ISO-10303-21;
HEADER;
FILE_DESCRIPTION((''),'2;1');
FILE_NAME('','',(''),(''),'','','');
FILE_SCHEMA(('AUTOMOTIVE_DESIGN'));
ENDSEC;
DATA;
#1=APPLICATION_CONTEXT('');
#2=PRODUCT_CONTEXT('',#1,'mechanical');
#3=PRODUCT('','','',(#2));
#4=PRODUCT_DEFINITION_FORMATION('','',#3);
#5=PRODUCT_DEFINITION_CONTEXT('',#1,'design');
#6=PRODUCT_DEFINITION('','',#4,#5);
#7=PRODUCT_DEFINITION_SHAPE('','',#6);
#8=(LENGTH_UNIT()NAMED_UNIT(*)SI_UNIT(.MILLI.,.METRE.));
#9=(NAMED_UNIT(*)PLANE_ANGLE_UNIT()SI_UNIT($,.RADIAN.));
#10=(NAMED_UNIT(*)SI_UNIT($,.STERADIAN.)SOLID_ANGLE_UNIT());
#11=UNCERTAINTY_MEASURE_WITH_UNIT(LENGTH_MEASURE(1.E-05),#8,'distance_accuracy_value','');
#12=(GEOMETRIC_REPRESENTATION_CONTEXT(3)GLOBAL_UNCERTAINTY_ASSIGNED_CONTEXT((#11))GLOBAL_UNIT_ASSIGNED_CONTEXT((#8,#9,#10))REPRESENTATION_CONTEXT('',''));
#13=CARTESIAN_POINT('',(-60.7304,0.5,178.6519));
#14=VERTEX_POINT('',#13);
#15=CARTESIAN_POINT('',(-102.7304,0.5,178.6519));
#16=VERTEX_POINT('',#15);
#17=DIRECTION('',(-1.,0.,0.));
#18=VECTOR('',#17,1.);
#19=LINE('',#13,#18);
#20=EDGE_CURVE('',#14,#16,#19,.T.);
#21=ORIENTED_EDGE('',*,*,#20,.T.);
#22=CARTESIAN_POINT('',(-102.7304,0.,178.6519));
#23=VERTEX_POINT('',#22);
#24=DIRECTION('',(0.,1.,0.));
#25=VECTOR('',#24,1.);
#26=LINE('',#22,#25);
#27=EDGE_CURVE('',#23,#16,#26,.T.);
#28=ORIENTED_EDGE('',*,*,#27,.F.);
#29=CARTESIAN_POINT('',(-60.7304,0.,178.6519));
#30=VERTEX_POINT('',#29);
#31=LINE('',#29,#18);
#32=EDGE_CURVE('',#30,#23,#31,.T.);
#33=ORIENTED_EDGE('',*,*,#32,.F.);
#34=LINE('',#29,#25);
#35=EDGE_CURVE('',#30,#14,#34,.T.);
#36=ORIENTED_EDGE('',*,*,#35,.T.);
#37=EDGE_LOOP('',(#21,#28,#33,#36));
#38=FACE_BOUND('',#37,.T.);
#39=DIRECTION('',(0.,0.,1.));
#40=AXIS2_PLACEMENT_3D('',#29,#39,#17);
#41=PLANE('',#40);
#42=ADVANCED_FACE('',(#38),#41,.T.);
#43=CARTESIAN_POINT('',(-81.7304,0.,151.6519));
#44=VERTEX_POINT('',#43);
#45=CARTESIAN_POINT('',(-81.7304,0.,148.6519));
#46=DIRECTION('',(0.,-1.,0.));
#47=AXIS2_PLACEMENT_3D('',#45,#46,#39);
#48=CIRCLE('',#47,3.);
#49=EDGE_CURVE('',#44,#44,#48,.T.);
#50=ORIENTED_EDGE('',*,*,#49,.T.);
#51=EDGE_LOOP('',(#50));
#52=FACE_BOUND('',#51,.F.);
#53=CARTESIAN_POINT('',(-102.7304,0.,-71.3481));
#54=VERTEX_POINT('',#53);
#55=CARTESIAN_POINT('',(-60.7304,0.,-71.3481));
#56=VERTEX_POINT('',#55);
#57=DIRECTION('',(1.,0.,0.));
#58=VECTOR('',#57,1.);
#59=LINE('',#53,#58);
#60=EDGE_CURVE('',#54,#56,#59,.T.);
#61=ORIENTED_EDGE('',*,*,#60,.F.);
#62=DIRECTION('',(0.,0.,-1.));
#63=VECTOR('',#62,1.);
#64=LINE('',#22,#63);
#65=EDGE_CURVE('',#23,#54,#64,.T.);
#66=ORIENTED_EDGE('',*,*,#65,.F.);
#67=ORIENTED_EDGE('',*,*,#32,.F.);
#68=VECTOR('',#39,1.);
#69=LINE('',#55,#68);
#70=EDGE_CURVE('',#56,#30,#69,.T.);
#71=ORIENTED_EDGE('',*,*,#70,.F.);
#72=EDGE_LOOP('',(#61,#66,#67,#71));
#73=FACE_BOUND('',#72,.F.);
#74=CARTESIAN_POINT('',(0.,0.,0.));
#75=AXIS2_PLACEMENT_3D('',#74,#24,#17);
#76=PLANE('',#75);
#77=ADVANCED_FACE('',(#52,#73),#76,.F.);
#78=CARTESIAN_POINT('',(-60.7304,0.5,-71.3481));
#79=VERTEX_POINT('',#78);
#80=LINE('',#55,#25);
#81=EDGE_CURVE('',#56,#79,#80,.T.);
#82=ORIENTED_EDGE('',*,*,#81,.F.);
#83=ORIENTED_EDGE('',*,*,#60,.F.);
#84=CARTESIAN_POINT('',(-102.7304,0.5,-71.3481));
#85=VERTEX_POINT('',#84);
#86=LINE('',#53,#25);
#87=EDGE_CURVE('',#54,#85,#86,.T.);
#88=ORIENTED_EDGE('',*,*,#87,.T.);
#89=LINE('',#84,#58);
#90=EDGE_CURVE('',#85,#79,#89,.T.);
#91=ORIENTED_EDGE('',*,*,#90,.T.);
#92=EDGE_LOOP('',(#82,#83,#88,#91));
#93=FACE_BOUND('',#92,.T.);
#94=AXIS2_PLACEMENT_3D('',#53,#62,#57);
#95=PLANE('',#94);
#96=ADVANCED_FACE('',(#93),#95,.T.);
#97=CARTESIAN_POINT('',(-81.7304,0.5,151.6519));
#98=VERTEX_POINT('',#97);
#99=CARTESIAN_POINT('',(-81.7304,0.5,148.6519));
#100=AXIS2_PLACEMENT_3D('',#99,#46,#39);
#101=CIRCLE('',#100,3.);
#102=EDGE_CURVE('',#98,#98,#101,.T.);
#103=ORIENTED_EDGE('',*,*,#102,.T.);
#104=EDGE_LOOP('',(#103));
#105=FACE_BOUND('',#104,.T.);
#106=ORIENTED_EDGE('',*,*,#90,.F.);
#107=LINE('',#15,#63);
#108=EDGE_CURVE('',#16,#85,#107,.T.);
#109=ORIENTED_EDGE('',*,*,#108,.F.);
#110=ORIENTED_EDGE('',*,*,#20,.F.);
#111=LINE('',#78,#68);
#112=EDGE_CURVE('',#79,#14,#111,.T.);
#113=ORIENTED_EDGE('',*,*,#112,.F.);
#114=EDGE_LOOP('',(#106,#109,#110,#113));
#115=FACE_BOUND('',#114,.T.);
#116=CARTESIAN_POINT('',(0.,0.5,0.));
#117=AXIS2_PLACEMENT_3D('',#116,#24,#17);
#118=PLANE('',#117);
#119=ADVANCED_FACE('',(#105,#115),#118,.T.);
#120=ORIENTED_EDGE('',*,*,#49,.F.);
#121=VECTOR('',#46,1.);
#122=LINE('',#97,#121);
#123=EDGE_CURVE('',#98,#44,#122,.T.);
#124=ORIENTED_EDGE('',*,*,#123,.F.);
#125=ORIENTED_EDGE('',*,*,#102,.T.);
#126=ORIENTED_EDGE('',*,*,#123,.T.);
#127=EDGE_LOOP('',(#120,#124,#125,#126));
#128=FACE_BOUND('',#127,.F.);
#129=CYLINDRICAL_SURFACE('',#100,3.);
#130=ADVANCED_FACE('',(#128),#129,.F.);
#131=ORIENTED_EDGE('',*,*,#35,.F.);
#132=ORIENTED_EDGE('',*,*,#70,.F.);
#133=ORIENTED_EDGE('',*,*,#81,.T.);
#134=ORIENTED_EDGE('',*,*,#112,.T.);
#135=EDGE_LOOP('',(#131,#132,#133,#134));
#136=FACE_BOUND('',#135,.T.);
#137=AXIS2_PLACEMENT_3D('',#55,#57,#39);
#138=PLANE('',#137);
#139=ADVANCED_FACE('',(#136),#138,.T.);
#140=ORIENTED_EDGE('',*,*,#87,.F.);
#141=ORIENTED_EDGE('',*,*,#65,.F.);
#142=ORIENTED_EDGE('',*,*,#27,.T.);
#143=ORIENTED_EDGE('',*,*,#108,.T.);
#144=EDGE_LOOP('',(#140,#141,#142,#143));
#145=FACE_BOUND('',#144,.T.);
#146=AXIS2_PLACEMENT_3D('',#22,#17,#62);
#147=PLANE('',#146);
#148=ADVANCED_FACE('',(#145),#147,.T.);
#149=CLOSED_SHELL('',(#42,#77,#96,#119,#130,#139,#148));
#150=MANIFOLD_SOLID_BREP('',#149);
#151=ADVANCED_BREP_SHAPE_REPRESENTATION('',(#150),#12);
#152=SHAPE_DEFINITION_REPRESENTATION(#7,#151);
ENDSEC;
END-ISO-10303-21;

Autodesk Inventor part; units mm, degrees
ref_plane "YZ Plane" through (0, 0, 0) normal (1, 0, 0) x (0, 1, 0)
ref_plane "XZ Plane" through (0, 0, 0) normal (0, 1, 0) x (-1, 0, 0)
ref_plane "XY Plane" through (0, 0, 0) normal (0, 0, 1) x (1, 0, 0)
sketch "Sketch1" plane through (0, 0, 0) normal (0, 1, 0) x (-1, 0, 0)
  line L0 (102.7304, -71.3481) -> (60.7304, -71.3481)
  line L1 (60.7304, -71.3481) -> (60.7304, 178.6519)
  line L2 (60.7304, 178.6519) -> (102.7304, 178.6519)
  line L3 (102.7304, 178.6519) -> (102.7304, -71.3481)
  point P0 (0, 0)
  dimension "d0" = 42
  dimension "d1" = 250
extrude "Plate1" add sketch "Sketch1" along normal blind 0.5
sketch "Sketch2" plane through (0, 0.5, 0) normal (0, 1, 0) x (1, 0, 0)
  line L0 (-102.7304, -178.6519) -> (-102.7304, 71.3481) projected
  line L1 (-60.7304, -178.6519) -> (-102.7304, -178.6519) projected
  point P0 (0, 0)
  point P1 (-81.7304, -148.6519)
  dimension "d3" = 21
  dimension "d4" = 30
hole "Hole1" at (-81.7304, 0.5, 148.6519) direction (0, -1, 0) diameter 6 depth 0.5 tip angle 118
equation "\"d10\" = Thickness"
equation "\"d2\" = Thickness"
equation "\"BendRadius\" = Thickness"
equation "\"BendReliefWidth\" = Thickness"
equation "\"BendReliefDepth\" = 0.5 * Thickness"
equation "\"CornerReliefSize\" = 4 * Thickness"
equation "\"MinimumRemnant\" = 2 * Thickness"
equation "\"TransitionRadius\" = BendRadius"
equation "\"JacobiRadiusSize\" = BendRadius"
equation "\"GapSize\" = Thickness"
equation "\"Thickness\" = 0.5"
properties part number "case"
